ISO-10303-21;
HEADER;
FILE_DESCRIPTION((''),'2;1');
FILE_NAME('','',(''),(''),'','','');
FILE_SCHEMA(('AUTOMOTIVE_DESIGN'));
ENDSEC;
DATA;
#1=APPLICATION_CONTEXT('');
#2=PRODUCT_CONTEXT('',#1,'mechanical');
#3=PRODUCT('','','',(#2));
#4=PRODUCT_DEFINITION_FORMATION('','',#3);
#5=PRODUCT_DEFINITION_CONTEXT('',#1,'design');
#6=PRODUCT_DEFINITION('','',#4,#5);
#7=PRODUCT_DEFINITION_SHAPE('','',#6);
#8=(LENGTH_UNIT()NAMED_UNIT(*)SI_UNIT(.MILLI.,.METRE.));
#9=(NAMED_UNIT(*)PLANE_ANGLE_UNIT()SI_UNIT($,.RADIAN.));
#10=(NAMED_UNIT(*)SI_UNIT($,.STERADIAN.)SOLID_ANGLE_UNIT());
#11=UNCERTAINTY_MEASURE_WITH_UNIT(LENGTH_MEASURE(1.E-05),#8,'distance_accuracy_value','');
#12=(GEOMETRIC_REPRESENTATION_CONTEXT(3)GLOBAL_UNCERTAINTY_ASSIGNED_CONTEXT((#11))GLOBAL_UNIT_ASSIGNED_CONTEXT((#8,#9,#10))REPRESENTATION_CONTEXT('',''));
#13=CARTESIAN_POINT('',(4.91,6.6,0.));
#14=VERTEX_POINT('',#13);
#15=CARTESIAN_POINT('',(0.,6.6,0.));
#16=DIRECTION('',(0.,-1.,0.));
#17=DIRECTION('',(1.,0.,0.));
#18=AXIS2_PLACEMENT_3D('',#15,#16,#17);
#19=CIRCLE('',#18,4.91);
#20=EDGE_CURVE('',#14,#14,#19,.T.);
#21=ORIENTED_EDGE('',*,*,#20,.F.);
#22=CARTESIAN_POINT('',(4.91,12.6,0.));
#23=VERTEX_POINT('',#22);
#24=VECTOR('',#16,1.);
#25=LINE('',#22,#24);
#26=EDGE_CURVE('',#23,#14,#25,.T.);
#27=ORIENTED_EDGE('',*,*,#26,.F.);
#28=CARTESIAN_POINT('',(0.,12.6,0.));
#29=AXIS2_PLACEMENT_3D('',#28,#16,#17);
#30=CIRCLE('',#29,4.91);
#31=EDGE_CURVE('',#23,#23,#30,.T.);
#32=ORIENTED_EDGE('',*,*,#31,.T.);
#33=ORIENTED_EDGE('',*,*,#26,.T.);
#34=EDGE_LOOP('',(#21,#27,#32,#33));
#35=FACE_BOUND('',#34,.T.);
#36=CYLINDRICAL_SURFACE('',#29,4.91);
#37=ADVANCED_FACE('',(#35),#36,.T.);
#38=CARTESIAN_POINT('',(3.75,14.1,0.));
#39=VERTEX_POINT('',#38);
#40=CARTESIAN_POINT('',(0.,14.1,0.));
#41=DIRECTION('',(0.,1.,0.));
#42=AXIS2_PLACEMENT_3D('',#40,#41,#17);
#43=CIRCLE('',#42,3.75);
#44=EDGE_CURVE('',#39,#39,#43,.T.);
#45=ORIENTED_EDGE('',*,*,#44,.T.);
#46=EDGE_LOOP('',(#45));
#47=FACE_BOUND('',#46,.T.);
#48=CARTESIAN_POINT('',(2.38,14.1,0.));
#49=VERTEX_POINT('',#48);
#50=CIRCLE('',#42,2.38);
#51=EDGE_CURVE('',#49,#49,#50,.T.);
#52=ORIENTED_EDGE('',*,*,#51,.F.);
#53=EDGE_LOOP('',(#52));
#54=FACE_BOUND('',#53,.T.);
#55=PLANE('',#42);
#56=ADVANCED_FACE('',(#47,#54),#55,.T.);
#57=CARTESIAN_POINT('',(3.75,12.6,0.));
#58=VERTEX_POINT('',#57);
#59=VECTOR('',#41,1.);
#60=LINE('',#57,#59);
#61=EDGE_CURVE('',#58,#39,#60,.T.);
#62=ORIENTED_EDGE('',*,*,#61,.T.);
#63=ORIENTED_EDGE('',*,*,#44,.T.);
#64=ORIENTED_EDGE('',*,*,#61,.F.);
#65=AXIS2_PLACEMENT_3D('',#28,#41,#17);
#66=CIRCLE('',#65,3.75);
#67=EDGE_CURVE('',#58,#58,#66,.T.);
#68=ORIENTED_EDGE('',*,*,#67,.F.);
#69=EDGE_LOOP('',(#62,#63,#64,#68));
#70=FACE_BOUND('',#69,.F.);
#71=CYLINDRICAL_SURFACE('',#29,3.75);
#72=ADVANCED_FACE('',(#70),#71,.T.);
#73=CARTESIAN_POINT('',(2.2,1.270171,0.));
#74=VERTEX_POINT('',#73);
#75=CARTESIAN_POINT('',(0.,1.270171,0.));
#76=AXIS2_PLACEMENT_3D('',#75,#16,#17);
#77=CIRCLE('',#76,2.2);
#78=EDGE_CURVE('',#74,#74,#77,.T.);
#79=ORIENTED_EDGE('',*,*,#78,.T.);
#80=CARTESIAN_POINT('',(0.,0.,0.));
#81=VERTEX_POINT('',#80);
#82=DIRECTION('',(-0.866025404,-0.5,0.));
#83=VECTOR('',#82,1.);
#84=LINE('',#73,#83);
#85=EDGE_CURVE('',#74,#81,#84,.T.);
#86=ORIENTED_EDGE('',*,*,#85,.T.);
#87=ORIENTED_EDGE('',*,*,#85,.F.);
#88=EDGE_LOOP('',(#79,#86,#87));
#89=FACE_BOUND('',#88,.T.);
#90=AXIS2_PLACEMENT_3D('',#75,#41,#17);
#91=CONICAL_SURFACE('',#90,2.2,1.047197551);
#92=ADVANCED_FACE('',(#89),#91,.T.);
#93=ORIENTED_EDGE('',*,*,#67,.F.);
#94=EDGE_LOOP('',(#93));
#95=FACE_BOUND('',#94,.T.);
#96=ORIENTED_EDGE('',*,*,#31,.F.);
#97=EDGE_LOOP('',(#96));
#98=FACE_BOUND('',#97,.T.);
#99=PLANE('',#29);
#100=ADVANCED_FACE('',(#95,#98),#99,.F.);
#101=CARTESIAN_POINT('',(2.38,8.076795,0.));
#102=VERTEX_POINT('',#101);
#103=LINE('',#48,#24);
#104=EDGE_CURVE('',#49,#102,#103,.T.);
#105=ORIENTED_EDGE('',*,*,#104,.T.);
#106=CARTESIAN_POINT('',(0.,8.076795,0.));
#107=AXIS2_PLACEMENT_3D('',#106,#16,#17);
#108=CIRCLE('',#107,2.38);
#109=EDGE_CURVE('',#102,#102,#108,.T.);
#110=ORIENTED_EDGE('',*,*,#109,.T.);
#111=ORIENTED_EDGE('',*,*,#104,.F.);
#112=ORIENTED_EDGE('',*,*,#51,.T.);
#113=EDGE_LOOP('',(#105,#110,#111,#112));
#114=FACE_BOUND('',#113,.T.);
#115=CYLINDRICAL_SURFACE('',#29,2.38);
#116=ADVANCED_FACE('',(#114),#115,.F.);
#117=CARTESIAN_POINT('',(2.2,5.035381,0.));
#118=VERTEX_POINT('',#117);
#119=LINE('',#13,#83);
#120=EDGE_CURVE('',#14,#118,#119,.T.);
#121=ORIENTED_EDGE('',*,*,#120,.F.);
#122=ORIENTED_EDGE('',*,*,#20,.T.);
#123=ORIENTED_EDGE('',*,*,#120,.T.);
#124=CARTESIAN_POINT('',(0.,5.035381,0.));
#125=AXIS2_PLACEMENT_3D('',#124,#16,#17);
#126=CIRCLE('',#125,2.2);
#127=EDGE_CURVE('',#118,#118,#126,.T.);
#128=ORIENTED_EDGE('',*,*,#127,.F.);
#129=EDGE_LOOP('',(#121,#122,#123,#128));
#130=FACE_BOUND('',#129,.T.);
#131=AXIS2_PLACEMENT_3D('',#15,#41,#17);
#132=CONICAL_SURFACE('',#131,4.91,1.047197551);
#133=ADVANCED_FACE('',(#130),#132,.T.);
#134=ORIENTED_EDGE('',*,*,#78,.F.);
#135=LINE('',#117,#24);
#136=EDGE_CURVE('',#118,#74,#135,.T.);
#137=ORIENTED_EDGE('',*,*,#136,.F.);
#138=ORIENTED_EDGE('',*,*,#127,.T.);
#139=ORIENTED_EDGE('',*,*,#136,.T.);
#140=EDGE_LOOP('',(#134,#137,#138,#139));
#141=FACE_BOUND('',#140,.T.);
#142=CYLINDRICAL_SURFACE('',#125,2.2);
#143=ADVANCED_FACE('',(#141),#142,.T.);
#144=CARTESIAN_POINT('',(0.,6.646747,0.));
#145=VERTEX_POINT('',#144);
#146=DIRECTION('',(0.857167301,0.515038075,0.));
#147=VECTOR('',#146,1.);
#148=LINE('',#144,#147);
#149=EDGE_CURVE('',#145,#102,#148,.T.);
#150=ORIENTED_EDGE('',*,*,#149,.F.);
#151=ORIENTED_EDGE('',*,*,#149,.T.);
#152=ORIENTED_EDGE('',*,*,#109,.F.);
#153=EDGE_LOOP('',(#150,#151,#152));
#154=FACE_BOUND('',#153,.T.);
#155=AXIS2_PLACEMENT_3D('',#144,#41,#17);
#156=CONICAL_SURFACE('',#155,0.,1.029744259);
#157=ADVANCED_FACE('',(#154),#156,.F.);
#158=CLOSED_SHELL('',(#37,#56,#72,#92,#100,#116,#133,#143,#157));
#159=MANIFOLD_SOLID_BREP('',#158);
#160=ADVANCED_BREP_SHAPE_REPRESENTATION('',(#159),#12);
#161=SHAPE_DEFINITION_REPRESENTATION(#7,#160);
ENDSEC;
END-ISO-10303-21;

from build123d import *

# Parameters (mm, degrees)
SKETCH3_R           = 3.75
SKETCH3_R_2         = 2.38
BOSS_EXTRUDE1_DEPTH = 1.5


with BuildPart() as part:
    # Sketch1 → Revolve1 (revolve)
    with BuildSketch(Plane.XY):
        Polygon((2.2, 1.270170592), (0, 0), (0, 6.646746758), (2.38, 8.076795031), (2.38, 12.6), (4.91, 12.6), (4.91, 6.6), (2.2, 5.03538077), align=None)
    revolve(axis=Axis((0, 6.646746758, 0), (0, -1, 0)))

    # Sketch3 → Boss-Extrude1 (add)
    with BuildSketch(Plane(origin=(0, 12.6, 0), x_dir=(1, 0, 0), z_dir=(0, 1, 0))):
        Circle(SKETCH3_R)
        Circle(SKETCH3_R_2, mode=Mode.SUBTRACT)
    extrude(amount=BOSS_EXTRUDE1_DEPTH)


solid = part.part
